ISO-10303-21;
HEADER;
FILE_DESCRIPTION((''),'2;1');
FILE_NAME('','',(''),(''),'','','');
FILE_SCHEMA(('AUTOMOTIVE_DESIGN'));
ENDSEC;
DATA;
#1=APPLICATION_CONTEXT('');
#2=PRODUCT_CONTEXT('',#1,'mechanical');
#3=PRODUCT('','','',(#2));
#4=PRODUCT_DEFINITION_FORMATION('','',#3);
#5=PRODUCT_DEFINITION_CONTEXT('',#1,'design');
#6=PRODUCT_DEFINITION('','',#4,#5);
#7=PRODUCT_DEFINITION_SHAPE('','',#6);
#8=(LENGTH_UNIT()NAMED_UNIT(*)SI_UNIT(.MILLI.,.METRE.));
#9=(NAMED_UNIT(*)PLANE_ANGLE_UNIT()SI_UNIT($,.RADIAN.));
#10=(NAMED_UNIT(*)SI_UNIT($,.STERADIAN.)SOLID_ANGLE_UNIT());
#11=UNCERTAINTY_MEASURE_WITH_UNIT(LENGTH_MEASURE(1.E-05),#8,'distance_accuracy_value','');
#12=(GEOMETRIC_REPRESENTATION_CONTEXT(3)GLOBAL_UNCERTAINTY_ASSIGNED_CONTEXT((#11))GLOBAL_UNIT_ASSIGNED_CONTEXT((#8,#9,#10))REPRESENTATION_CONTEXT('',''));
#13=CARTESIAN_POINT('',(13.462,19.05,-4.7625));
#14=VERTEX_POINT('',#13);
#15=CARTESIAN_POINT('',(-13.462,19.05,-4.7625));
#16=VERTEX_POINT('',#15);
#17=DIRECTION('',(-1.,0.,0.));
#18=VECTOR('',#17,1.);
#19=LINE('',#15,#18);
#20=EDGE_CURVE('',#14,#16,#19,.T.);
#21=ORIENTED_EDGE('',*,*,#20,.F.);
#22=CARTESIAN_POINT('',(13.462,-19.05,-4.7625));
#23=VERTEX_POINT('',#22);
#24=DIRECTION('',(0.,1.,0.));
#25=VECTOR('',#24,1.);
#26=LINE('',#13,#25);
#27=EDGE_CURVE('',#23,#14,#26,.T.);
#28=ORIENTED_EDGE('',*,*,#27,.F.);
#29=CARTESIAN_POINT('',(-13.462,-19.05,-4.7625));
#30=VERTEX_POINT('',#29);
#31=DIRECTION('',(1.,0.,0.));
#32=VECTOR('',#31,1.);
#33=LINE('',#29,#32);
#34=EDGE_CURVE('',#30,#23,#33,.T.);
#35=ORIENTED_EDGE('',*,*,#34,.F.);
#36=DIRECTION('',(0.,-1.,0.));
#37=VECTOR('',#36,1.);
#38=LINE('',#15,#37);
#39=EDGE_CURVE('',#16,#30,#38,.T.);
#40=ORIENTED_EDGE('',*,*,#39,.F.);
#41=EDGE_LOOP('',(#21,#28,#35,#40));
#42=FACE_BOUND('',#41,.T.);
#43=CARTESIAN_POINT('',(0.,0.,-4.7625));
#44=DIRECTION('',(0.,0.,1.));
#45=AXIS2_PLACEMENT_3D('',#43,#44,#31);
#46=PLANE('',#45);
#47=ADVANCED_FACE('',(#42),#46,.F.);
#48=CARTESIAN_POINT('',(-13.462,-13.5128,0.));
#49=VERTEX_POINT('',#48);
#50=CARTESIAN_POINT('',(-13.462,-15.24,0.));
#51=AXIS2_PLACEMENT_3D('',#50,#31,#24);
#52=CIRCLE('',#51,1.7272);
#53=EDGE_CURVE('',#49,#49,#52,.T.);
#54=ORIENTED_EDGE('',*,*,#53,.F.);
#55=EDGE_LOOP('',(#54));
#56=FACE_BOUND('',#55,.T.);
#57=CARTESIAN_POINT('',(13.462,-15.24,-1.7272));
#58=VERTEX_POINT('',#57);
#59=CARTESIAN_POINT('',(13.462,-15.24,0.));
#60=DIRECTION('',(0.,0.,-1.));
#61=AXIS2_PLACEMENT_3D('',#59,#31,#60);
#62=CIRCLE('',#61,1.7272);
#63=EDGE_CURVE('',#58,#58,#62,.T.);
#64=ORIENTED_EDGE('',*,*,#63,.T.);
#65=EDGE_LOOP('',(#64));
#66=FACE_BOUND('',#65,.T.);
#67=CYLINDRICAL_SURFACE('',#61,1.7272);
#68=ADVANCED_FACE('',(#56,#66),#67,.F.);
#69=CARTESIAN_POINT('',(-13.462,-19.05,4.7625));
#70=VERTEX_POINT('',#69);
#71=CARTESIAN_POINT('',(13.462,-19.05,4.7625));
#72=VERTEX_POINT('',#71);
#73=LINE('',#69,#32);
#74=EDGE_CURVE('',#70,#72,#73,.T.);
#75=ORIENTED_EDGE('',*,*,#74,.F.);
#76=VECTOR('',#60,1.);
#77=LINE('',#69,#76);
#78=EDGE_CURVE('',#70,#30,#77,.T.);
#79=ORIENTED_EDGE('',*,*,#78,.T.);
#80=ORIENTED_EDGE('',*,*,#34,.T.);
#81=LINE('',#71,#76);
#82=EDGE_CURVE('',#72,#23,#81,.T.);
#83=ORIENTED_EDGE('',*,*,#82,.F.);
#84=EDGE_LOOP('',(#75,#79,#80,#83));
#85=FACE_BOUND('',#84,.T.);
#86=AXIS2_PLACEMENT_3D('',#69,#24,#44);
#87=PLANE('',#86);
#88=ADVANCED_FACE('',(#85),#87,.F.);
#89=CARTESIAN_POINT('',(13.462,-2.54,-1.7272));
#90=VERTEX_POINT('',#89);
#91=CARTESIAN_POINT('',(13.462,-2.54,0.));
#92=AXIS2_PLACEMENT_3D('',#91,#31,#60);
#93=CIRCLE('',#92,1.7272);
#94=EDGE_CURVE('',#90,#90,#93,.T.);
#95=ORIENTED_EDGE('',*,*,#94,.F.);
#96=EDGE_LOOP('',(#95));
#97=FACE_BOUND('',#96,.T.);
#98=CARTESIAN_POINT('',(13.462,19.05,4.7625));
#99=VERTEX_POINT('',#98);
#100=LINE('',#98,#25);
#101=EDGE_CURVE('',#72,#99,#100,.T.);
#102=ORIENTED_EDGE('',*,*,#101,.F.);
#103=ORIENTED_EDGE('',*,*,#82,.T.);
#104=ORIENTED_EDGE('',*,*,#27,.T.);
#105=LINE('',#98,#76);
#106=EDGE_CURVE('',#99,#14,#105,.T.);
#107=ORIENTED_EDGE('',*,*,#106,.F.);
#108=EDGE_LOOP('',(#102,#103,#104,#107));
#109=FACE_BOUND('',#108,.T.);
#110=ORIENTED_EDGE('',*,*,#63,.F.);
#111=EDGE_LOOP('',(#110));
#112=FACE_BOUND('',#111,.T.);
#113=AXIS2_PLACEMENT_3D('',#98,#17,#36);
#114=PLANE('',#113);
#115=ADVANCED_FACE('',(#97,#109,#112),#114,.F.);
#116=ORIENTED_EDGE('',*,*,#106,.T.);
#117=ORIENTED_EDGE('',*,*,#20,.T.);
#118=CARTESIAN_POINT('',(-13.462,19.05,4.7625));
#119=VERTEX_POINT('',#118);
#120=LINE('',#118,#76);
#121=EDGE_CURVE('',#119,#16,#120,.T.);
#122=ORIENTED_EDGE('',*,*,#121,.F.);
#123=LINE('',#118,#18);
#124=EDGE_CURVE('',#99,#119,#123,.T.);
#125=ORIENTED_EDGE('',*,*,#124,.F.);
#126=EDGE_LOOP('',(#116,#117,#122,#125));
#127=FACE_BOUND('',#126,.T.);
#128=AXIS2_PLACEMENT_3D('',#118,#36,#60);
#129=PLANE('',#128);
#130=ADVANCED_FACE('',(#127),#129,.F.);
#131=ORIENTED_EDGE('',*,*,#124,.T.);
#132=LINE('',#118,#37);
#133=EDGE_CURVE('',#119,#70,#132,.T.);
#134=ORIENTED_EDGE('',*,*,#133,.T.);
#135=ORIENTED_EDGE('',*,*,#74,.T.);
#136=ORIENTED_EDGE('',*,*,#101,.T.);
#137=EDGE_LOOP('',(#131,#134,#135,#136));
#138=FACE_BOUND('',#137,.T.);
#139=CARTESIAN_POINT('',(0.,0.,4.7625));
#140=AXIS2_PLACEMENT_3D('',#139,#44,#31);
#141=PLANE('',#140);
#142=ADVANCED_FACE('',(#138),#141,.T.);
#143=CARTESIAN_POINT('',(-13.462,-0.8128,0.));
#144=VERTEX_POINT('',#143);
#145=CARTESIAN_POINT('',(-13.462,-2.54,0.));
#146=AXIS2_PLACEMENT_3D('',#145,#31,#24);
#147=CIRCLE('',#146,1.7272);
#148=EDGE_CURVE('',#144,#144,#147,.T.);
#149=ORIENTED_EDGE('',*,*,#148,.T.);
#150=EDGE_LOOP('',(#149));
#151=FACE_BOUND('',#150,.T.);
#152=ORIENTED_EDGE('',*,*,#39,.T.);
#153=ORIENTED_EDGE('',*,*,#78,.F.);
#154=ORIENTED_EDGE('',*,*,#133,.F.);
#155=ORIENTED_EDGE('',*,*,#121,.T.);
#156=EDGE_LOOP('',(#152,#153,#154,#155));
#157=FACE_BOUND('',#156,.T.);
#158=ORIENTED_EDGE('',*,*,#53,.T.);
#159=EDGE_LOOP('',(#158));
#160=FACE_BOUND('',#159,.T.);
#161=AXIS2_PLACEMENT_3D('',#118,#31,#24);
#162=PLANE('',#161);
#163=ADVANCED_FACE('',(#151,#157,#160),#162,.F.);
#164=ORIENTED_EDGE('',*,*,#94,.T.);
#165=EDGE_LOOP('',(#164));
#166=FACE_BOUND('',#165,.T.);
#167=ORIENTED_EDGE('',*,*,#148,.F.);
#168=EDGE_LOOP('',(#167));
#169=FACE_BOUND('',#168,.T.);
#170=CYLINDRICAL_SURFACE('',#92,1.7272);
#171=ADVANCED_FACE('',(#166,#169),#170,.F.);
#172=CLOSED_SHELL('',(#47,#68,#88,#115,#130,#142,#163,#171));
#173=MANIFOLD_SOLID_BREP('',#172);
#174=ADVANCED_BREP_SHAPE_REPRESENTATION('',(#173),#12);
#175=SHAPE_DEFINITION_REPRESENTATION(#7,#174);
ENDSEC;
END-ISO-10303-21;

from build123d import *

# Parameters (mm, degrees)
SKETCH1_W             = 26.924
SKETCH1_H             = 38.1
BOSS_EXTRUDE1_DEPTH   = 4.7625
F_8_32_TAPPED_HOLE1_D = 3.4544


with BuildPart() as part:
    # Sketch1 → Boss-Extrude1 (new, symmetric)
    with BuildSketch(Plane.XY):
        Rectangle(SKETCH1_W, SKETCH1_H)
    extrude(amount=BOSS_EXTRUDE1_DEPTH, both=True)

    # #8-32 Tapped Hole1 (through all)
    with Locations(Plane(origin=(13.462, 0, 0), x_dir=(0, 0, -1), z_dir=(1, 0, 0))):
        with Locations((0, -15.24), (0, -2.54)):
            Hole(F_8_32_TAPPED_HOLE1_D / 2)


solid = part.part
